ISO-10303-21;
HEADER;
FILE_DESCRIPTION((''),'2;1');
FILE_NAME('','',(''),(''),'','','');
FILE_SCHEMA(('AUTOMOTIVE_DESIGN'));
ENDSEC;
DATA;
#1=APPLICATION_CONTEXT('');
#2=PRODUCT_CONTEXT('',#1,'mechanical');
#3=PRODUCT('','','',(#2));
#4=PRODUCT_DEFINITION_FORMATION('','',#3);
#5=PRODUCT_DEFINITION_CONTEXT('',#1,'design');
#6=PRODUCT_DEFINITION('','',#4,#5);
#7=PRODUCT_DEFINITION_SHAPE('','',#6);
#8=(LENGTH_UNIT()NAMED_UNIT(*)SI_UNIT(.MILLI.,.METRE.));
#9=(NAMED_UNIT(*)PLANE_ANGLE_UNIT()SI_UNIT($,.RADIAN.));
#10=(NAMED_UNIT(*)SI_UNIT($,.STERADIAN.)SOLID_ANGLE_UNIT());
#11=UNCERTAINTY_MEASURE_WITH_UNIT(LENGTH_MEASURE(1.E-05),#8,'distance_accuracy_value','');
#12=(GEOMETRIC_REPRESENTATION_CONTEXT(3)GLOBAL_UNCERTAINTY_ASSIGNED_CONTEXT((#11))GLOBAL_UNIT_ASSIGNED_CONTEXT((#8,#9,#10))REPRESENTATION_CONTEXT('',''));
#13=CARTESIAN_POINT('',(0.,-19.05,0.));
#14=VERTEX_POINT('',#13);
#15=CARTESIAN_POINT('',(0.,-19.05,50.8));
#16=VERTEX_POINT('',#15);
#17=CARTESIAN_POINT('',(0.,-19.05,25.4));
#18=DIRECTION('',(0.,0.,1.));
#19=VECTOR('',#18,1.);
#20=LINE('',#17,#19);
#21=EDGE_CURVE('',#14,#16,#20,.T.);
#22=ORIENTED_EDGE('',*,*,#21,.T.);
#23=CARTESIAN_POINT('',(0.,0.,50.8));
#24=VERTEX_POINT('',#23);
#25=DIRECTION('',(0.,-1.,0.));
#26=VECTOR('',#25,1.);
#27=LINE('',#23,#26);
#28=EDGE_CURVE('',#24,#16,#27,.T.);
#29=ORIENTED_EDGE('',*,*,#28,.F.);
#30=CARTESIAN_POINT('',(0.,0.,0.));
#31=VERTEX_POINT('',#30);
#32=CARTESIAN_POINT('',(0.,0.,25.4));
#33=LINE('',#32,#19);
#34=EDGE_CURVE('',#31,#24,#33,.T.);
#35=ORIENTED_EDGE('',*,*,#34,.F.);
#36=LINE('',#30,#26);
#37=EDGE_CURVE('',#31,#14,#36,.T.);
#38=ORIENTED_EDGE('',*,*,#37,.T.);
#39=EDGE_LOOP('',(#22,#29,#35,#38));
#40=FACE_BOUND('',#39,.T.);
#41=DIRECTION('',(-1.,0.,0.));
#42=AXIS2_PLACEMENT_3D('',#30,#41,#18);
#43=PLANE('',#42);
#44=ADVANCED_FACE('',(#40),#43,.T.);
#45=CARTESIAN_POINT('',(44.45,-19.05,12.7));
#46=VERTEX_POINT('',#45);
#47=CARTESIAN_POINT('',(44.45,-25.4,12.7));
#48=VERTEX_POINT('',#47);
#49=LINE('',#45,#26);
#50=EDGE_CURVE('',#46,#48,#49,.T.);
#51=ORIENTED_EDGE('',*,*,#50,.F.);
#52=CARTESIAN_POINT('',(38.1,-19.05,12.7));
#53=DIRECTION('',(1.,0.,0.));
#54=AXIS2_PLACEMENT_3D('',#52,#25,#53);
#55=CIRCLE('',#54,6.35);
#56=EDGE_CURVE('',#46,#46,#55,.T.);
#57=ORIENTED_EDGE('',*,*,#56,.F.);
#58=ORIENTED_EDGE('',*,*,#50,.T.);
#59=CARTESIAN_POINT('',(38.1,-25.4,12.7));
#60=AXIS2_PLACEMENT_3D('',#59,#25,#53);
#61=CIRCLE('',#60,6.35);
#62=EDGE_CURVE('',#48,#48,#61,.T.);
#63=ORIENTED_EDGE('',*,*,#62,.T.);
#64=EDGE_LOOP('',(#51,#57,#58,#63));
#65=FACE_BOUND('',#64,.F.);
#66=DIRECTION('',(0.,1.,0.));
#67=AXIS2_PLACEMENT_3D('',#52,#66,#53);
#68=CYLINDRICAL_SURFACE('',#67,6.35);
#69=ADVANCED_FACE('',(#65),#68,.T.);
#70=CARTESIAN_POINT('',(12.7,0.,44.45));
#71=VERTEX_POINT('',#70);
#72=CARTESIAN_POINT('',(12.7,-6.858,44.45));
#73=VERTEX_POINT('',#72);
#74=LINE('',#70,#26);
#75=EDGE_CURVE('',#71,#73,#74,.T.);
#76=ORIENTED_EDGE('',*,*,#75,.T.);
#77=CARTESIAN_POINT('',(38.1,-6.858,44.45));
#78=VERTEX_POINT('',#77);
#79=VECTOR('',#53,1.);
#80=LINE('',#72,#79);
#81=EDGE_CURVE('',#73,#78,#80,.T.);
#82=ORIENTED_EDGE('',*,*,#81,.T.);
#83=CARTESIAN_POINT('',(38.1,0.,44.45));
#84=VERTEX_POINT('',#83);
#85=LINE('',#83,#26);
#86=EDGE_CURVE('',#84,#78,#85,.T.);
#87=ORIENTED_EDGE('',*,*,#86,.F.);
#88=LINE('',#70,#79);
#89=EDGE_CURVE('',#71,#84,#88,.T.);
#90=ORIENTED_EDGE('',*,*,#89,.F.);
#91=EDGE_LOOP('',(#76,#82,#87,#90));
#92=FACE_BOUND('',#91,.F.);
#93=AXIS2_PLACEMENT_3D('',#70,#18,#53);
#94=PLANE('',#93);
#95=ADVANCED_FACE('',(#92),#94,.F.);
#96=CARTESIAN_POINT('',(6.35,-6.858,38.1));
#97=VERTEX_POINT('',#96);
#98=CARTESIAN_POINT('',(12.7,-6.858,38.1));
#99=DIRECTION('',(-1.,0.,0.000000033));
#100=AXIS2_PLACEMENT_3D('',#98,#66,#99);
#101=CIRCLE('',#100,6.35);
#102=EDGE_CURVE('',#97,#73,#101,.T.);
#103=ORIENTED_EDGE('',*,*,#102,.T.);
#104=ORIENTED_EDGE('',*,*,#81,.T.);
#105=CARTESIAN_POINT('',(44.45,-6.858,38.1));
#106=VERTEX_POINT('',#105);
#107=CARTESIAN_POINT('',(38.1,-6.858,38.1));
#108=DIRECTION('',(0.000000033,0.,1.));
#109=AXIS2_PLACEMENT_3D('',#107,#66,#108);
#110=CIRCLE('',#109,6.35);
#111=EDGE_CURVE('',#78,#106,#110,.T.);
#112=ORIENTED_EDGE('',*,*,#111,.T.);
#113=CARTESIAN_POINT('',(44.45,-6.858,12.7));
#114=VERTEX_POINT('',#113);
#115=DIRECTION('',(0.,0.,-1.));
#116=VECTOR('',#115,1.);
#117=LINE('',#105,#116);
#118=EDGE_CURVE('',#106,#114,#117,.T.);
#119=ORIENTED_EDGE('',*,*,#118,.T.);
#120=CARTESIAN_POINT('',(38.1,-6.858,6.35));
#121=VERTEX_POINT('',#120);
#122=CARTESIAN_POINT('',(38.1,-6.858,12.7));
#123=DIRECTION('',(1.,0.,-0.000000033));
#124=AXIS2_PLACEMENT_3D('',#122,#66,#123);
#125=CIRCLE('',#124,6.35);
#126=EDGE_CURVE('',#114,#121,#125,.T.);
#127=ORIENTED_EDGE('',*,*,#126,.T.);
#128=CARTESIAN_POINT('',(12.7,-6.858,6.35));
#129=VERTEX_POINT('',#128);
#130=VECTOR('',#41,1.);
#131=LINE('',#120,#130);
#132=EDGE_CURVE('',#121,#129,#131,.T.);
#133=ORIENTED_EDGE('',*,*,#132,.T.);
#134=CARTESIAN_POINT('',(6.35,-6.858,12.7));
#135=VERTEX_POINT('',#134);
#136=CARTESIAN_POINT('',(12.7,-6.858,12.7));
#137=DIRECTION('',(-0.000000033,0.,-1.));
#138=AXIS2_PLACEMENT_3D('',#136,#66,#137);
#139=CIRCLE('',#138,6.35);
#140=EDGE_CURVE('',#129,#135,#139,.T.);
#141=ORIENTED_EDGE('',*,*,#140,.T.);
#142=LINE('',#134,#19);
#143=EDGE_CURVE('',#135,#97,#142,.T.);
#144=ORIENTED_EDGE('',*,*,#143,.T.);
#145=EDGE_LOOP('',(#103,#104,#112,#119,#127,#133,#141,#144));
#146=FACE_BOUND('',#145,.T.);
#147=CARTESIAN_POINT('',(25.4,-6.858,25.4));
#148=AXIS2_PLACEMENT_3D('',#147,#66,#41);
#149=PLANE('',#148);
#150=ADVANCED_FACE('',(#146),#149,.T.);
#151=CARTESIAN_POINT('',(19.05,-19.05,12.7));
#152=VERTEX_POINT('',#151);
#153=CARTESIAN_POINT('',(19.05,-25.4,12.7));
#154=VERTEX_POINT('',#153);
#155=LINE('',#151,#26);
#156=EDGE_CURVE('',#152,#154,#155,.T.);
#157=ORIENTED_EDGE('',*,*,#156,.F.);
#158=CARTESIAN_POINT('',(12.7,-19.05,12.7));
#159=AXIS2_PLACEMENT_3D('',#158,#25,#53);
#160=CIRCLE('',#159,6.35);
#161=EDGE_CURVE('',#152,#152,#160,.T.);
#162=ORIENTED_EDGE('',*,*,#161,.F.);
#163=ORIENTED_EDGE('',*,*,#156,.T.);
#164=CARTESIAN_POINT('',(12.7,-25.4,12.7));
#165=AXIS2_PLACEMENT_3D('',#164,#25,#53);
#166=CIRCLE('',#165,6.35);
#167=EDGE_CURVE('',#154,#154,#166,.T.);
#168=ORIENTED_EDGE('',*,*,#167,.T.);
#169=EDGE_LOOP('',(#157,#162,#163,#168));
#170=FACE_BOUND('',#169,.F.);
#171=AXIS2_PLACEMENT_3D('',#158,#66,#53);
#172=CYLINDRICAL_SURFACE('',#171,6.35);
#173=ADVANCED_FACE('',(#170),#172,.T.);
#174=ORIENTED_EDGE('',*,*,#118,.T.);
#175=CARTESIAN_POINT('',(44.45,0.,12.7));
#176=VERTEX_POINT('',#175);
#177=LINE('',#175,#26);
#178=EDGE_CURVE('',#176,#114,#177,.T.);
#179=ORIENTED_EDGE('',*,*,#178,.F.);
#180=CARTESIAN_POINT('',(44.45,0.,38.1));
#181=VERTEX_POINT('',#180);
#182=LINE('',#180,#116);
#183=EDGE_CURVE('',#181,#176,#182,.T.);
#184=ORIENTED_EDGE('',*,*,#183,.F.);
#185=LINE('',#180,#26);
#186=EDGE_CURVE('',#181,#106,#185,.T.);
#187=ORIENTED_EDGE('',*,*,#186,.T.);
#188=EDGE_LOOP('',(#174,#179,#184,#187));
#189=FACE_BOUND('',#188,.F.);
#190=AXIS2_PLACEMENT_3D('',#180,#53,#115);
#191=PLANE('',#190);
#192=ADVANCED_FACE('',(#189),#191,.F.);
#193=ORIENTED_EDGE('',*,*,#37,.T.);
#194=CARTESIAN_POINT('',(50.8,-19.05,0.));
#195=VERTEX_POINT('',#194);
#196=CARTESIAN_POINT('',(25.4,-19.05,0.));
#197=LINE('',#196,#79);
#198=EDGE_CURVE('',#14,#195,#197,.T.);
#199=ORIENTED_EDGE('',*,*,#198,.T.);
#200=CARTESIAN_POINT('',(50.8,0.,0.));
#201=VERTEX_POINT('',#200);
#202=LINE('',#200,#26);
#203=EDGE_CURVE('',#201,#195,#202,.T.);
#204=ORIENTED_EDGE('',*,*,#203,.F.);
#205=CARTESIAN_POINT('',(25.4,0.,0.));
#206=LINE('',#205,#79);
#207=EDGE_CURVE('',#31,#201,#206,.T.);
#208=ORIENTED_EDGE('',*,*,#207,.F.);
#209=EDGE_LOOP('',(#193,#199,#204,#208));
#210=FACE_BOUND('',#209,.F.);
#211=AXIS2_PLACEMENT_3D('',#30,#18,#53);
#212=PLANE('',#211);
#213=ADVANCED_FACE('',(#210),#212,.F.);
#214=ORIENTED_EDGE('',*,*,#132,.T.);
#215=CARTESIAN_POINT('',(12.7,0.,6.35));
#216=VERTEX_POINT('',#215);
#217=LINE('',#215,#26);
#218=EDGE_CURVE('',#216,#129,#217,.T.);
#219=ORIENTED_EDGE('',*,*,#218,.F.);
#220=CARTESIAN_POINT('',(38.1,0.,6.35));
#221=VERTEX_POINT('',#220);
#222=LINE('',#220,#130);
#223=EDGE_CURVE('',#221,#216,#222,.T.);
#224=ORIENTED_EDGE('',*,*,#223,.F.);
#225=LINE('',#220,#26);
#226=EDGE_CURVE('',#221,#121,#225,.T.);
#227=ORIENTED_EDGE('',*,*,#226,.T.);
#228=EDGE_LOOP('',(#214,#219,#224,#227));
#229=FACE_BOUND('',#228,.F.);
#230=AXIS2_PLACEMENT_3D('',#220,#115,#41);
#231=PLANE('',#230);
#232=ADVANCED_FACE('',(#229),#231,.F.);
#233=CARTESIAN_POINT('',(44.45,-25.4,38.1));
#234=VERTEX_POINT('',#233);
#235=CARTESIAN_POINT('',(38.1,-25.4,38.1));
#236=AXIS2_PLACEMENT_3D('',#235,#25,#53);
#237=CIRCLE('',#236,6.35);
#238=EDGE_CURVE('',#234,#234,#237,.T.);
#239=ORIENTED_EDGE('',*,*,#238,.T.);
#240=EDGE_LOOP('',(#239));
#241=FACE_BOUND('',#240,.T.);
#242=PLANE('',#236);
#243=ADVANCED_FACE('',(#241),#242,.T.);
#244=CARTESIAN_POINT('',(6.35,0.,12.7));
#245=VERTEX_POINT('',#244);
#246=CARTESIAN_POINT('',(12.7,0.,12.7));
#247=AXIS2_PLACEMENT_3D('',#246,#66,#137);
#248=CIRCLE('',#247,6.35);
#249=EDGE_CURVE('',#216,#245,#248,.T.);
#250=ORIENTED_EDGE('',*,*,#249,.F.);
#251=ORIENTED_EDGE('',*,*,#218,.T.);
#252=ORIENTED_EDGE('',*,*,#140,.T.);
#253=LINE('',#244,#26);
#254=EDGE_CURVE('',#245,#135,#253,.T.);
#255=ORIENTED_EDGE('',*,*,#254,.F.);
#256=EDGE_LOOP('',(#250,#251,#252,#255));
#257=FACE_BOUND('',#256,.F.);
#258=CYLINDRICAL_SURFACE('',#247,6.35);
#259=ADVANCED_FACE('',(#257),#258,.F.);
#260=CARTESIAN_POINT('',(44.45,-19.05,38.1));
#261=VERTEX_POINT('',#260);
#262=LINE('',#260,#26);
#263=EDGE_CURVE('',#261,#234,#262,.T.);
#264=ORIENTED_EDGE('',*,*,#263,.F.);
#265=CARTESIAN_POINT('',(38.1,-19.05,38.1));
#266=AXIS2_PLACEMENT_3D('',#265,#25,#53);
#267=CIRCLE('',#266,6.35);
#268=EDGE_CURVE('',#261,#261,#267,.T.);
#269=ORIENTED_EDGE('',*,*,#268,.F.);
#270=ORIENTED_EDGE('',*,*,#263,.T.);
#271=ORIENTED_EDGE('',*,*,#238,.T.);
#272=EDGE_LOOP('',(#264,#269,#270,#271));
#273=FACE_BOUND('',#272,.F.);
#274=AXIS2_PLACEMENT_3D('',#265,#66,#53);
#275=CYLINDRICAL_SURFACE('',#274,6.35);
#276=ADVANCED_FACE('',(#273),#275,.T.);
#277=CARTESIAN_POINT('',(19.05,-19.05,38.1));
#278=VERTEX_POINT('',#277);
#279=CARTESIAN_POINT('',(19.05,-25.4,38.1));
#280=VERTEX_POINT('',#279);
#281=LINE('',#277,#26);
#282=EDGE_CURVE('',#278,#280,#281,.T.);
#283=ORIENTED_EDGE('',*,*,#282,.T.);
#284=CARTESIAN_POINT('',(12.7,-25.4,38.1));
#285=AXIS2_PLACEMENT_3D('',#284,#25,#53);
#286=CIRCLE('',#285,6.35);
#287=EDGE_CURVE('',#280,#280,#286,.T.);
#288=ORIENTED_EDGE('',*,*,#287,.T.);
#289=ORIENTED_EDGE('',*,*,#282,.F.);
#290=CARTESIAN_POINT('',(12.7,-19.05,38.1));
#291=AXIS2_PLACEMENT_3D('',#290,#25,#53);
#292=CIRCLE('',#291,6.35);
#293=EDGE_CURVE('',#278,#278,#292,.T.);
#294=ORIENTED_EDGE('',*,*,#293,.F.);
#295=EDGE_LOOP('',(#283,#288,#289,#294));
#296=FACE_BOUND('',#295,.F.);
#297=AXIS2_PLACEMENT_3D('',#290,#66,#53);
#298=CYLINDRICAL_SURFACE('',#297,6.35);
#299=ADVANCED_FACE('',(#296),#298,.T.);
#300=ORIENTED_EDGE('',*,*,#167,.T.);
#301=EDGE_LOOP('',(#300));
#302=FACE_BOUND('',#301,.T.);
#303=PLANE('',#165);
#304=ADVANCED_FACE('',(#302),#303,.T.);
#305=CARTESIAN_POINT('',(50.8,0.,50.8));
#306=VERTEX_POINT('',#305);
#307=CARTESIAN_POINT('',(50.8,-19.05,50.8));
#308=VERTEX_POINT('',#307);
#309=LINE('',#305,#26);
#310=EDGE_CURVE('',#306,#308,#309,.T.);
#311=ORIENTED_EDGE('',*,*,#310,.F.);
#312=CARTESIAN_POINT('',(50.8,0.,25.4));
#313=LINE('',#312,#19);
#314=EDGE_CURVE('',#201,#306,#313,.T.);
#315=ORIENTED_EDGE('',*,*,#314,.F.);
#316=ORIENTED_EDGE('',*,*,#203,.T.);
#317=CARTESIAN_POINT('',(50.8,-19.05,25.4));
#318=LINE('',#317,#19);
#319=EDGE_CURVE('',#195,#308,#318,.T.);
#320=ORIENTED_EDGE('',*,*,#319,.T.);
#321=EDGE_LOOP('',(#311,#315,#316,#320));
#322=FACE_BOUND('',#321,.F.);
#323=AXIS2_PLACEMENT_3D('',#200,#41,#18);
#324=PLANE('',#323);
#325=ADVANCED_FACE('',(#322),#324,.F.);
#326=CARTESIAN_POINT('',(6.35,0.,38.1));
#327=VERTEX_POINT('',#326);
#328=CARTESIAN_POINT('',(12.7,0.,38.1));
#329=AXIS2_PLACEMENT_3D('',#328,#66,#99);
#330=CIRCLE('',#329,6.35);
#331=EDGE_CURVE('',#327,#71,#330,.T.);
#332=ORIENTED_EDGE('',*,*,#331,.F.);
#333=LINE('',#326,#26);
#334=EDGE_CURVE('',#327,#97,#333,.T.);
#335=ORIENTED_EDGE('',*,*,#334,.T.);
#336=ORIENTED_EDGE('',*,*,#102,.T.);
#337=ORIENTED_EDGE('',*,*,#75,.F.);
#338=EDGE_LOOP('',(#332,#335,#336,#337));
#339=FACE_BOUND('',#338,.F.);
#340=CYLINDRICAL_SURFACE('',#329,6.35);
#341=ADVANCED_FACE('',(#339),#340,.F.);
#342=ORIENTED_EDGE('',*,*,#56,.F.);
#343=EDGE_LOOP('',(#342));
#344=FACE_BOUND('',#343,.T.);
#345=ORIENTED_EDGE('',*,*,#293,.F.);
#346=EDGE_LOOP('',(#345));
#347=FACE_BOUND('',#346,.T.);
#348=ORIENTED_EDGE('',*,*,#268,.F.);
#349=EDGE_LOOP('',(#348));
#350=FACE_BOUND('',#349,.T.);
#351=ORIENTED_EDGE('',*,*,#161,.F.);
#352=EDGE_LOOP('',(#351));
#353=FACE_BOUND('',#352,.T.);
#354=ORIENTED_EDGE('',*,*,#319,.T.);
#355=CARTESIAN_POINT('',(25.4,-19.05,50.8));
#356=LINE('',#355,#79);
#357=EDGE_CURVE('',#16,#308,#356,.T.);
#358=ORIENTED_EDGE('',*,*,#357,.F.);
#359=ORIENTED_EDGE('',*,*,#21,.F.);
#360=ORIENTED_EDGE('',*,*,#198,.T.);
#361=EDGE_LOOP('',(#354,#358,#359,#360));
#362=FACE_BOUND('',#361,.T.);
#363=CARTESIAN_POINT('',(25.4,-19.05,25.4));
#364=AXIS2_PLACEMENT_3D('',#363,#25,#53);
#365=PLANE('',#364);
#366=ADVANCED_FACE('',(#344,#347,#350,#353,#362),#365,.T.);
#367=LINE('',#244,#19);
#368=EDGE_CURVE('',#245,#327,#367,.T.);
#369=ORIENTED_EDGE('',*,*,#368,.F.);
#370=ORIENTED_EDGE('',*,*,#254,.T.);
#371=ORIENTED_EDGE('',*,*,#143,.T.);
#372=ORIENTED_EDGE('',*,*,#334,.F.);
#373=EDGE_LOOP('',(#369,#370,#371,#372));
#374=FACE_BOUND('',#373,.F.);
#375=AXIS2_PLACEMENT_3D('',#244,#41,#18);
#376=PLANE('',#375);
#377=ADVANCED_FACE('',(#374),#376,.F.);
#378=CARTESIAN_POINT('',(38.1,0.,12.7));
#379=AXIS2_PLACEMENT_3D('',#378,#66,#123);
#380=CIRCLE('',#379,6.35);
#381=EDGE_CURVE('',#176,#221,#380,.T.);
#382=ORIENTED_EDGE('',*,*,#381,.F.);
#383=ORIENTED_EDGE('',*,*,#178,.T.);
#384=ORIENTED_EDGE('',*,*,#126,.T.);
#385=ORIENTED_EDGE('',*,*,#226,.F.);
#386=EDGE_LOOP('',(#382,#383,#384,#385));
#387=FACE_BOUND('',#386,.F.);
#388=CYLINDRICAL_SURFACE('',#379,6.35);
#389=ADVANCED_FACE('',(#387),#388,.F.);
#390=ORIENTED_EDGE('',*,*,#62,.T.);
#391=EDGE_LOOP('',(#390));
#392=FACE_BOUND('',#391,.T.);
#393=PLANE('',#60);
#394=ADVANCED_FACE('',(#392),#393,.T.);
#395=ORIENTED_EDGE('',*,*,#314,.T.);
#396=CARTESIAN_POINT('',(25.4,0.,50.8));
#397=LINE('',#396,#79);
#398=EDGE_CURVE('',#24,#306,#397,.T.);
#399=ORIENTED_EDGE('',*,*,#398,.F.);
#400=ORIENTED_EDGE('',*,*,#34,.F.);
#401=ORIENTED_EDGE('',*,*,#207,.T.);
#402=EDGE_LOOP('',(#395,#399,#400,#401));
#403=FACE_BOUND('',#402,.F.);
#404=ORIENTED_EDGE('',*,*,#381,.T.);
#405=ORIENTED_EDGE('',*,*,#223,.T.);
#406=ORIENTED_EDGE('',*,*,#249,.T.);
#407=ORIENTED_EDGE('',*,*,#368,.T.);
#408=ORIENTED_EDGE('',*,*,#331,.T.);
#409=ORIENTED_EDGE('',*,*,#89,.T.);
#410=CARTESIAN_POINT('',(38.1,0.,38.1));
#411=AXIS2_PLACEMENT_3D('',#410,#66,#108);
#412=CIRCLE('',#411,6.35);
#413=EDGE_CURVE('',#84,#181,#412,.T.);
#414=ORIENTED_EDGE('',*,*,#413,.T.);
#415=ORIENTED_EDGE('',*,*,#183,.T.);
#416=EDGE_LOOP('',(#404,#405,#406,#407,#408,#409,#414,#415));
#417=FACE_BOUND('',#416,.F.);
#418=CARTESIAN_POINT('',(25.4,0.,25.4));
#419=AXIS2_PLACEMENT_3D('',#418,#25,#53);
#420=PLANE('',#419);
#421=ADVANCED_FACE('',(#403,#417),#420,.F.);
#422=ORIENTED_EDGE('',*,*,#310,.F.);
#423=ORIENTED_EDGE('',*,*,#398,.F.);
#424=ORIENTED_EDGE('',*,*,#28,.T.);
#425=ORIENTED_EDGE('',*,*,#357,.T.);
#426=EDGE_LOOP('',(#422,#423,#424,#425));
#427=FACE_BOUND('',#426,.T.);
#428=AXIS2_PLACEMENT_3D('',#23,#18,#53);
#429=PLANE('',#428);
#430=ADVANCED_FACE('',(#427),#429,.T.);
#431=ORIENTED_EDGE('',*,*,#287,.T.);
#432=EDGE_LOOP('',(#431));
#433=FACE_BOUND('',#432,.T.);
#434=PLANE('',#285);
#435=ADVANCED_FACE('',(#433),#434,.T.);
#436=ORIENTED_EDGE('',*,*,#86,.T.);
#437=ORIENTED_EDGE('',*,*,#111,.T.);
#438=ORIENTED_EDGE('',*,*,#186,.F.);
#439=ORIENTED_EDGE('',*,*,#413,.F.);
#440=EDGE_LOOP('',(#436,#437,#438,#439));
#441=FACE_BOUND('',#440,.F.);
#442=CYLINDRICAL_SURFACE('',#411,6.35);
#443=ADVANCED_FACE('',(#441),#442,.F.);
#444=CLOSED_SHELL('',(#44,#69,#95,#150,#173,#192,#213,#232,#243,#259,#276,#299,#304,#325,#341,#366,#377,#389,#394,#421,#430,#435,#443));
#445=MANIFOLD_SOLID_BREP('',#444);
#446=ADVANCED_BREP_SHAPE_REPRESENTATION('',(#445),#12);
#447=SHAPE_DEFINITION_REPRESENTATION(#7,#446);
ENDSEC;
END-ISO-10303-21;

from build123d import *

# Parameters (mm, degrees)
F0_W     = 50.8
F0_H     = 50.8
F1_DEPTH = 19.05
F2_R     = 6.35
F3_DEPTH = 6.35
F5_DEPTH = 6.858


with BuildPart() as f1:
    # F0 (on Front) → F1 (new body)
    with BuildSketch(Plane.XZ):
        with Locations((25.4, 25.4)):
            Rectangle(F0_W, F0_H)
    extrude(amount=F1_DEPTH)

    # F2 (on face) → F3 (join)
    with BuildSketch(Plane.XZ.offset(19.05)):
        with Locations((12.7, 38.1)):
            Circle(F2_R)
        with Locations((38.1, 38.1)):
            Circle(F2_R)
        with Locations((12.7, 12.7)):
            Circle(F2_R)
        with Locations((38.1, 12.7)):
            Circle(F2_R)
    extrude(amount=F3_DEPTH)

    # F4 (on face) → F5 (cut)
    with BuildSketch(Plane(origin=(0, 0, 0), x_dir=(-1, 0, 0), z_dir=(0, 1, 0))):
        with BuildLine():
            Line((-12.7, 44.45), (-38.1, 44.45))
            ThreePointArc((-38.1, 44.45), (-42.590128, 42.590128), (-44.45, 38.1))
            Line((-44.45, 38.1), (-44.45, 12.7))
            ThreePointArc((-44.45, 12.7), (-42.590128, 8.209872), (-38.1, 6.35))
            Line((-38.1, 6.35), (-12.7, 6.35))
            ThreePointArc((-12.7, 6.35), (-8.209872, 8.209872), (-6.35, 12.7))
            Line((-6.35, 12.7), (-6.35, 38.1))
            ThreePointArc((-6.35, 38.1), (-8.209872, 42.590128), (-12.7, 44.45))
        make_face()
    extrude(amount=-F5_DEPTH, mode=Mode.SUBTRACT)


solid = f1.part
